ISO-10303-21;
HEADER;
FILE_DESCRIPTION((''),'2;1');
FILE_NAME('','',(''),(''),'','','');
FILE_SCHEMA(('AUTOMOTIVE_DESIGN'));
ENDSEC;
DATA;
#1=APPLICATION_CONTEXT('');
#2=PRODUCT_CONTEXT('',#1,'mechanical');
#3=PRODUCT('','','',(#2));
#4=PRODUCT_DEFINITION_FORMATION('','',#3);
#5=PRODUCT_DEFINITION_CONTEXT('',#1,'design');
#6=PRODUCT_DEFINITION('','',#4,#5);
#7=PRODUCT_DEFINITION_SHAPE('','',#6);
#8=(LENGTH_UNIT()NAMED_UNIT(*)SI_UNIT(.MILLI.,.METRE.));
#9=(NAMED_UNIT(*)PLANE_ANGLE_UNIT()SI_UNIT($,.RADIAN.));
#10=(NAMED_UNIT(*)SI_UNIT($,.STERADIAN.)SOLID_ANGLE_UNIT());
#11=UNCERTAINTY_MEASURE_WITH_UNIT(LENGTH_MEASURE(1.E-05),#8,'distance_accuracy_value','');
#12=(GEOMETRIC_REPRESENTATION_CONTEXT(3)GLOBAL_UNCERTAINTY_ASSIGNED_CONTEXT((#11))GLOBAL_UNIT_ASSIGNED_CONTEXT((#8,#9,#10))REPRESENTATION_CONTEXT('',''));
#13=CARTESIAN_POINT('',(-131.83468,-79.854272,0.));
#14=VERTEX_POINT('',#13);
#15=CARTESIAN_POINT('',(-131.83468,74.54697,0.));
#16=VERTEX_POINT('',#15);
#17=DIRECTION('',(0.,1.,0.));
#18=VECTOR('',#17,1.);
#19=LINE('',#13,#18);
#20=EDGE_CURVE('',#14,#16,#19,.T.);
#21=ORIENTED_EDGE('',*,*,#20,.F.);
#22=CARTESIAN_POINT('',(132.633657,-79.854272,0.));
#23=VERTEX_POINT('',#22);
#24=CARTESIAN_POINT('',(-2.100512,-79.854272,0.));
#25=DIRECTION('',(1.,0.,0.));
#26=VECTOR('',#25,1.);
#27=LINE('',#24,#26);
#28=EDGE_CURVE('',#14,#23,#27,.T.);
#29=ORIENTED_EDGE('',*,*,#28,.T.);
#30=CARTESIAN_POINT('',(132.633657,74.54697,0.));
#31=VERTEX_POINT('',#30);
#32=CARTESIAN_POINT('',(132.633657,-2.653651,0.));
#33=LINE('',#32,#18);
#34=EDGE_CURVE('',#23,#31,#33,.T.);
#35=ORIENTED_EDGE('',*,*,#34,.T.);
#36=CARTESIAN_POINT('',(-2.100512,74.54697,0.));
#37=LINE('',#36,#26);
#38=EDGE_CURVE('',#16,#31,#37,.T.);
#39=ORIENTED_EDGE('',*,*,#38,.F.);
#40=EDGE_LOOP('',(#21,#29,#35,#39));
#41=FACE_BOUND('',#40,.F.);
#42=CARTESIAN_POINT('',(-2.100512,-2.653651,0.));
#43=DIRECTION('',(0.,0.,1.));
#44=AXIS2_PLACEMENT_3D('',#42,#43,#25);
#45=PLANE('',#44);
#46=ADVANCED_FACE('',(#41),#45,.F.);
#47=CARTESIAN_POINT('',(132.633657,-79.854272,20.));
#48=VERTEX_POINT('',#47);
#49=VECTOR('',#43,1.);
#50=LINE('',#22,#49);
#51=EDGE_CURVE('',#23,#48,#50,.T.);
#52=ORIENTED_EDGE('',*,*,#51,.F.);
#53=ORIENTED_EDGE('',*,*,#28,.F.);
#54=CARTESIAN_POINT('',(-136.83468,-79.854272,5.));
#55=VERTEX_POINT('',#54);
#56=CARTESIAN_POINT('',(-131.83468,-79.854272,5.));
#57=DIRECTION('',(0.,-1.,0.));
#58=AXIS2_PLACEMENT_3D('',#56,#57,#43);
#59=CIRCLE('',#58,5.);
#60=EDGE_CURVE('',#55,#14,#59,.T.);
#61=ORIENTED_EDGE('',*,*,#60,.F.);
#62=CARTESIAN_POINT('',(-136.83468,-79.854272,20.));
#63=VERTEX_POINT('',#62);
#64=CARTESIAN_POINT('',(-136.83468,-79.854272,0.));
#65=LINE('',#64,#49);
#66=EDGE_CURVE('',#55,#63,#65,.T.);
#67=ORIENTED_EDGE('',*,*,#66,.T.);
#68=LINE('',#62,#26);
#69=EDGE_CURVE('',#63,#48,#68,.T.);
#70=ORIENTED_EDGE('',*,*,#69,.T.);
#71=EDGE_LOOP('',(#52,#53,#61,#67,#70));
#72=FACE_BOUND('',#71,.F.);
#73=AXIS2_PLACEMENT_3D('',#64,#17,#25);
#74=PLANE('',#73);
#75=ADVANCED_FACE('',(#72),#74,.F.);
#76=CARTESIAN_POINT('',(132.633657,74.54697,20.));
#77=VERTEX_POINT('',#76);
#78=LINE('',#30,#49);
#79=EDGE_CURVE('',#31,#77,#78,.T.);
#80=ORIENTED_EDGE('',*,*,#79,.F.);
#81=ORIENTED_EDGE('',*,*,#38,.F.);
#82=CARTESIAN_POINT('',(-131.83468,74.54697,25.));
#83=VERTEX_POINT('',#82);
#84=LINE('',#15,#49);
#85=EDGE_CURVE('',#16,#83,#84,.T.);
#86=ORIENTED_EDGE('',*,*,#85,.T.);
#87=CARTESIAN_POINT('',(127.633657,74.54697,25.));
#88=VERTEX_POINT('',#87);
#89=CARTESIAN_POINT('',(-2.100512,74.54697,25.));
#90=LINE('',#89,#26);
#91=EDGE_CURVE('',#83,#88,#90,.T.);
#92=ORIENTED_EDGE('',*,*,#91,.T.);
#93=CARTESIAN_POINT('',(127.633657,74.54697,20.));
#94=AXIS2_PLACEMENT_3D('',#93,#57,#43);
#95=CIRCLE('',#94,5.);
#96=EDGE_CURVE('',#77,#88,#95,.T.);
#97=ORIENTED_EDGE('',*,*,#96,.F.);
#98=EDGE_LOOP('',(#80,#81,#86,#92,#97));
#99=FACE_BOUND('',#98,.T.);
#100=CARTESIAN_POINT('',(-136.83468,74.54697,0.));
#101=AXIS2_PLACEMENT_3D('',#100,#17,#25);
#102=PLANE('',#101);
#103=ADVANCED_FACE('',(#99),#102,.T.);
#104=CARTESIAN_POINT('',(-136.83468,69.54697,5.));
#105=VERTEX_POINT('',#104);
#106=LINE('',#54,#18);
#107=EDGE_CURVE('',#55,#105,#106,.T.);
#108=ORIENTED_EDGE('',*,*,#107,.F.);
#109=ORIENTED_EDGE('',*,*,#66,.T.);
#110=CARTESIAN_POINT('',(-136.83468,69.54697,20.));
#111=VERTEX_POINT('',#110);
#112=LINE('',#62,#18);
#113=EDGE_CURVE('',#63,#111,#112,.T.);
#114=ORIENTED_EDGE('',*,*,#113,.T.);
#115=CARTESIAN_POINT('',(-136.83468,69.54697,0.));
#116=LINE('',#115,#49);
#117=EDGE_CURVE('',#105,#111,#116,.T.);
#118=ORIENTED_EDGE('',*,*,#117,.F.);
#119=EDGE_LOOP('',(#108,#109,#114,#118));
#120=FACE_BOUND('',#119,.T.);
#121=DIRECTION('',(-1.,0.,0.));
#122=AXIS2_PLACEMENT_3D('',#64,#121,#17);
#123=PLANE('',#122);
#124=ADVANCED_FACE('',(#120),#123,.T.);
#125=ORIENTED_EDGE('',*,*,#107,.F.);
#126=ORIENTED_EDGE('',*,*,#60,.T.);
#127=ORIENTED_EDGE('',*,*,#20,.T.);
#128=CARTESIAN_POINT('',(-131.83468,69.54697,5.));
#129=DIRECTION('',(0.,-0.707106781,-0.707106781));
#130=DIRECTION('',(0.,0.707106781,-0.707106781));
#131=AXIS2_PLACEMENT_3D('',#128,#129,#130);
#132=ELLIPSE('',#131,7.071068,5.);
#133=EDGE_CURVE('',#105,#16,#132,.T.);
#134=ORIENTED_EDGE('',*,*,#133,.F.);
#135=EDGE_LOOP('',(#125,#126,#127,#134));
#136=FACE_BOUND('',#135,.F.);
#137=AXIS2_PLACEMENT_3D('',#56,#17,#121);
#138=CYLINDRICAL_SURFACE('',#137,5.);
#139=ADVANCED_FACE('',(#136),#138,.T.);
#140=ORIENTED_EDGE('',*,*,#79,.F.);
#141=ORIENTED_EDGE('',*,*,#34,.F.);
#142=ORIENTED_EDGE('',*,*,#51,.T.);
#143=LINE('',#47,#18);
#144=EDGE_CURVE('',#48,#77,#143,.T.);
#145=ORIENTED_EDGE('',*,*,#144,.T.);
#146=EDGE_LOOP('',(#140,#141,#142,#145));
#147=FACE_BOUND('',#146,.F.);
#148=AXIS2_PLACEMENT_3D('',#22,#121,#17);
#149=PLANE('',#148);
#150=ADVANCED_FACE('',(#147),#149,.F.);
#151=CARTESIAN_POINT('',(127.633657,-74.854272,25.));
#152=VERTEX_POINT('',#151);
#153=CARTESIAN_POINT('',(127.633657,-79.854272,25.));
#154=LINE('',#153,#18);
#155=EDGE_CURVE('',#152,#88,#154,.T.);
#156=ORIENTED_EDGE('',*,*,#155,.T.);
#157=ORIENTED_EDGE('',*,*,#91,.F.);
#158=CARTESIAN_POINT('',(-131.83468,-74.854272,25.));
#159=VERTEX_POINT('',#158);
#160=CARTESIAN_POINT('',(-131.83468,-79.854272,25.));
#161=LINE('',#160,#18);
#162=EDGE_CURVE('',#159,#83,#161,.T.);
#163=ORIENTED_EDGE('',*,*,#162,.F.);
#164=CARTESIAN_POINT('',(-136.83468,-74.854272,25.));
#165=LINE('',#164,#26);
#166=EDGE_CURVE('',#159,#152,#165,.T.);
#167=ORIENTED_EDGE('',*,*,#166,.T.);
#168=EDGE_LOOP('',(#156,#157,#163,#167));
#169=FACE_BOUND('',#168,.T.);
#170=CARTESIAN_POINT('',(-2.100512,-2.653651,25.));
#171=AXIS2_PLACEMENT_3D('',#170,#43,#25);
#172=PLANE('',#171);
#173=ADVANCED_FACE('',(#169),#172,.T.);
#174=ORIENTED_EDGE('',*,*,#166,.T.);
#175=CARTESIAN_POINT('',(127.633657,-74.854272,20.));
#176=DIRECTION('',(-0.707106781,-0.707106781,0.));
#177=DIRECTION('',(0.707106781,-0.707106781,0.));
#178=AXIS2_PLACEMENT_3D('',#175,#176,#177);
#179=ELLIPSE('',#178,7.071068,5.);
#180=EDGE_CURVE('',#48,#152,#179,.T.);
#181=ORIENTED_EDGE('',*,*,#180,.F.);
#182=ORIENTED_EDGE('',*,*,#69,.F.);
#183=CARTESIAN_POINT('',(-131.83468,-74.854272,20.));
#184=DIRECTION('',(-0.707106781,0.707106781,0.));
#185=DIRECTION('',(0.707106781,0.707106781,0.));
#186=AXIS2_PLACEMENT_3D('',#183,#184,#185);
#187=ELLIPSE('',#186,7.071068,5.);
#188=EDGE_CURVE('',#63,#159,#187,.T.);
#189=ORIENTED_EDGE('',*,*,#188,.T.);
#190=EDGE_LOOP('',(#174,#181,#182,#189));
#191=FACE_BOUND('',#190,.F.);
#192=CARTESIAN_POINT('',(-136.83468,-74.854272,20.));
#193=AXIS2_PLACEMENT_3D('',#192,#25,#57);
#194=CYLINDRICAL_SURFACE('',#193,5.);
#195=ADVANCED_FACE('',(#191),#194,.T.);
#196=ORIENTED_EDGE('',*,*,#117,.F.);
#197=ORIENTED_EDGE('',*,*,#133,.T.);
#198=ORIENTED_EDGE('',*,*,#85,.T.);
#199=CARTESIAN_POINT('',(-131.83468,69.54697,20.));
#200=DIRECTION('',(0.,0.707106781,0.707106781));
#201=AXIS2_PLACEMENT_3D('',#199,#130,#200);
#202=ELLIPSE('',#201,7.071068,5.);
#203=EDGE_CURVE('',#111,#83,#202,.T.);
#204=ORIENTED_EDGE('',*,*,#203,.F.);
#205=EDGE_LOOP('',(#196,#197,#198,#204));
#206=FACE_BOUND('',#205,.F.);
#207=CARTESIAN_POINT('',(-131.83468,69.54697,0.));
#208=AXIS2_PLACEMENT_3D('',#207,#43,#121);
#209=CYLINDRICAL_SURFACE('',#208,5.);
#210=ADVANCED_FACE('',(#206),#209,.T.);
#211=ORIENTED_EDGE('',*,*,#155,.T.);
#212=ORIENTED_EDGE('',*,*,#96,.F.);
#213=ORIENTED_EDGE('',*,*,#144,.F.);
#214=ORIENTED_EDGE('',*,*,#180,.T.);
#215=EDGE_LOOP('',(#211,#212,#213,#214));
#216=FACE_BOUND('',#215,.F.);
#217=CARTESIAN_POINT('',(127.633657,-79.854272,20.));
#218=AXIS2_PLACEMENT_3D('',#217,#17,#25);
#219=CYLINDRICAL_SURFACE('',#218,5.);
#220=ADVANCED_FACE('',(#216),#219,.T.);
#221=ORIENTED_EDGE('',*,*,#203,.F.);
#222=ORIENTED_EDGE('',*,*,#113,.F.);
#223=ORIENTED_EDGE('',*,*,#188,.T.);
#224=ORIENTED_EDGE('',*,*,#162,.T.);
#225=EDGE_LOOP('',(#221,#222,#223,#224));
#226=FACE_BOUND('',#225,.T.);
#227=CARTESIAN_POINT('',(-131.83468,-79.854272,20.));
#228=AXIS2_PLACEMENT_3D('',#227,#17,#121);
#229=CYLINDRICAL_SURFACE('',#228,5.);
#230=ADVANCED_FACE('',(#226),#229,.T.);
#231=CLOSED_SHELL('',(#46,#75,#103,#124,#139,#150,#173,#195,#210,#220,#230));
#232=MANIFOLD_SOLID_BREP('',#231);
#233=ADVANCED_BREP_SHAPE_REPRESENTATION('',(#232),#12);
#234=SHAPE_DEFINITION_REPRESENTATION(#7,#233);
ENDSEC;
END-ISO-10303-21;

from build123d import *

# Parameters (mm, degrees)
F0_W     = 269.468337
F0_H     = 154.401242
F1_DEPTH = 25
F2_R     = 5


with BuildPart() as f1:
    # F0 (on Top) → F1 (new body)
    with BuildSketch(Plane.XY):
        with Locations((-2.100512, -2.653651)):
            Rectangle(F0_W, F0_H)
    extrude(amount=F1_DEPTH)

    # F2
    f2_edges = [f1.edges().sort_by_distance(p)[0] for p in [
        (-2.100512, -79.854272, 25),
        (132.633656, -2.653651, 25),
        (-136.834681, -2.653651, 25),
        (-136.834681, -2.653651, 0),
        (-136.834681, 74.54697, 12.5),
    ]]
    fillet(f2_edges, radius=F2_R)


solid = f1.part
